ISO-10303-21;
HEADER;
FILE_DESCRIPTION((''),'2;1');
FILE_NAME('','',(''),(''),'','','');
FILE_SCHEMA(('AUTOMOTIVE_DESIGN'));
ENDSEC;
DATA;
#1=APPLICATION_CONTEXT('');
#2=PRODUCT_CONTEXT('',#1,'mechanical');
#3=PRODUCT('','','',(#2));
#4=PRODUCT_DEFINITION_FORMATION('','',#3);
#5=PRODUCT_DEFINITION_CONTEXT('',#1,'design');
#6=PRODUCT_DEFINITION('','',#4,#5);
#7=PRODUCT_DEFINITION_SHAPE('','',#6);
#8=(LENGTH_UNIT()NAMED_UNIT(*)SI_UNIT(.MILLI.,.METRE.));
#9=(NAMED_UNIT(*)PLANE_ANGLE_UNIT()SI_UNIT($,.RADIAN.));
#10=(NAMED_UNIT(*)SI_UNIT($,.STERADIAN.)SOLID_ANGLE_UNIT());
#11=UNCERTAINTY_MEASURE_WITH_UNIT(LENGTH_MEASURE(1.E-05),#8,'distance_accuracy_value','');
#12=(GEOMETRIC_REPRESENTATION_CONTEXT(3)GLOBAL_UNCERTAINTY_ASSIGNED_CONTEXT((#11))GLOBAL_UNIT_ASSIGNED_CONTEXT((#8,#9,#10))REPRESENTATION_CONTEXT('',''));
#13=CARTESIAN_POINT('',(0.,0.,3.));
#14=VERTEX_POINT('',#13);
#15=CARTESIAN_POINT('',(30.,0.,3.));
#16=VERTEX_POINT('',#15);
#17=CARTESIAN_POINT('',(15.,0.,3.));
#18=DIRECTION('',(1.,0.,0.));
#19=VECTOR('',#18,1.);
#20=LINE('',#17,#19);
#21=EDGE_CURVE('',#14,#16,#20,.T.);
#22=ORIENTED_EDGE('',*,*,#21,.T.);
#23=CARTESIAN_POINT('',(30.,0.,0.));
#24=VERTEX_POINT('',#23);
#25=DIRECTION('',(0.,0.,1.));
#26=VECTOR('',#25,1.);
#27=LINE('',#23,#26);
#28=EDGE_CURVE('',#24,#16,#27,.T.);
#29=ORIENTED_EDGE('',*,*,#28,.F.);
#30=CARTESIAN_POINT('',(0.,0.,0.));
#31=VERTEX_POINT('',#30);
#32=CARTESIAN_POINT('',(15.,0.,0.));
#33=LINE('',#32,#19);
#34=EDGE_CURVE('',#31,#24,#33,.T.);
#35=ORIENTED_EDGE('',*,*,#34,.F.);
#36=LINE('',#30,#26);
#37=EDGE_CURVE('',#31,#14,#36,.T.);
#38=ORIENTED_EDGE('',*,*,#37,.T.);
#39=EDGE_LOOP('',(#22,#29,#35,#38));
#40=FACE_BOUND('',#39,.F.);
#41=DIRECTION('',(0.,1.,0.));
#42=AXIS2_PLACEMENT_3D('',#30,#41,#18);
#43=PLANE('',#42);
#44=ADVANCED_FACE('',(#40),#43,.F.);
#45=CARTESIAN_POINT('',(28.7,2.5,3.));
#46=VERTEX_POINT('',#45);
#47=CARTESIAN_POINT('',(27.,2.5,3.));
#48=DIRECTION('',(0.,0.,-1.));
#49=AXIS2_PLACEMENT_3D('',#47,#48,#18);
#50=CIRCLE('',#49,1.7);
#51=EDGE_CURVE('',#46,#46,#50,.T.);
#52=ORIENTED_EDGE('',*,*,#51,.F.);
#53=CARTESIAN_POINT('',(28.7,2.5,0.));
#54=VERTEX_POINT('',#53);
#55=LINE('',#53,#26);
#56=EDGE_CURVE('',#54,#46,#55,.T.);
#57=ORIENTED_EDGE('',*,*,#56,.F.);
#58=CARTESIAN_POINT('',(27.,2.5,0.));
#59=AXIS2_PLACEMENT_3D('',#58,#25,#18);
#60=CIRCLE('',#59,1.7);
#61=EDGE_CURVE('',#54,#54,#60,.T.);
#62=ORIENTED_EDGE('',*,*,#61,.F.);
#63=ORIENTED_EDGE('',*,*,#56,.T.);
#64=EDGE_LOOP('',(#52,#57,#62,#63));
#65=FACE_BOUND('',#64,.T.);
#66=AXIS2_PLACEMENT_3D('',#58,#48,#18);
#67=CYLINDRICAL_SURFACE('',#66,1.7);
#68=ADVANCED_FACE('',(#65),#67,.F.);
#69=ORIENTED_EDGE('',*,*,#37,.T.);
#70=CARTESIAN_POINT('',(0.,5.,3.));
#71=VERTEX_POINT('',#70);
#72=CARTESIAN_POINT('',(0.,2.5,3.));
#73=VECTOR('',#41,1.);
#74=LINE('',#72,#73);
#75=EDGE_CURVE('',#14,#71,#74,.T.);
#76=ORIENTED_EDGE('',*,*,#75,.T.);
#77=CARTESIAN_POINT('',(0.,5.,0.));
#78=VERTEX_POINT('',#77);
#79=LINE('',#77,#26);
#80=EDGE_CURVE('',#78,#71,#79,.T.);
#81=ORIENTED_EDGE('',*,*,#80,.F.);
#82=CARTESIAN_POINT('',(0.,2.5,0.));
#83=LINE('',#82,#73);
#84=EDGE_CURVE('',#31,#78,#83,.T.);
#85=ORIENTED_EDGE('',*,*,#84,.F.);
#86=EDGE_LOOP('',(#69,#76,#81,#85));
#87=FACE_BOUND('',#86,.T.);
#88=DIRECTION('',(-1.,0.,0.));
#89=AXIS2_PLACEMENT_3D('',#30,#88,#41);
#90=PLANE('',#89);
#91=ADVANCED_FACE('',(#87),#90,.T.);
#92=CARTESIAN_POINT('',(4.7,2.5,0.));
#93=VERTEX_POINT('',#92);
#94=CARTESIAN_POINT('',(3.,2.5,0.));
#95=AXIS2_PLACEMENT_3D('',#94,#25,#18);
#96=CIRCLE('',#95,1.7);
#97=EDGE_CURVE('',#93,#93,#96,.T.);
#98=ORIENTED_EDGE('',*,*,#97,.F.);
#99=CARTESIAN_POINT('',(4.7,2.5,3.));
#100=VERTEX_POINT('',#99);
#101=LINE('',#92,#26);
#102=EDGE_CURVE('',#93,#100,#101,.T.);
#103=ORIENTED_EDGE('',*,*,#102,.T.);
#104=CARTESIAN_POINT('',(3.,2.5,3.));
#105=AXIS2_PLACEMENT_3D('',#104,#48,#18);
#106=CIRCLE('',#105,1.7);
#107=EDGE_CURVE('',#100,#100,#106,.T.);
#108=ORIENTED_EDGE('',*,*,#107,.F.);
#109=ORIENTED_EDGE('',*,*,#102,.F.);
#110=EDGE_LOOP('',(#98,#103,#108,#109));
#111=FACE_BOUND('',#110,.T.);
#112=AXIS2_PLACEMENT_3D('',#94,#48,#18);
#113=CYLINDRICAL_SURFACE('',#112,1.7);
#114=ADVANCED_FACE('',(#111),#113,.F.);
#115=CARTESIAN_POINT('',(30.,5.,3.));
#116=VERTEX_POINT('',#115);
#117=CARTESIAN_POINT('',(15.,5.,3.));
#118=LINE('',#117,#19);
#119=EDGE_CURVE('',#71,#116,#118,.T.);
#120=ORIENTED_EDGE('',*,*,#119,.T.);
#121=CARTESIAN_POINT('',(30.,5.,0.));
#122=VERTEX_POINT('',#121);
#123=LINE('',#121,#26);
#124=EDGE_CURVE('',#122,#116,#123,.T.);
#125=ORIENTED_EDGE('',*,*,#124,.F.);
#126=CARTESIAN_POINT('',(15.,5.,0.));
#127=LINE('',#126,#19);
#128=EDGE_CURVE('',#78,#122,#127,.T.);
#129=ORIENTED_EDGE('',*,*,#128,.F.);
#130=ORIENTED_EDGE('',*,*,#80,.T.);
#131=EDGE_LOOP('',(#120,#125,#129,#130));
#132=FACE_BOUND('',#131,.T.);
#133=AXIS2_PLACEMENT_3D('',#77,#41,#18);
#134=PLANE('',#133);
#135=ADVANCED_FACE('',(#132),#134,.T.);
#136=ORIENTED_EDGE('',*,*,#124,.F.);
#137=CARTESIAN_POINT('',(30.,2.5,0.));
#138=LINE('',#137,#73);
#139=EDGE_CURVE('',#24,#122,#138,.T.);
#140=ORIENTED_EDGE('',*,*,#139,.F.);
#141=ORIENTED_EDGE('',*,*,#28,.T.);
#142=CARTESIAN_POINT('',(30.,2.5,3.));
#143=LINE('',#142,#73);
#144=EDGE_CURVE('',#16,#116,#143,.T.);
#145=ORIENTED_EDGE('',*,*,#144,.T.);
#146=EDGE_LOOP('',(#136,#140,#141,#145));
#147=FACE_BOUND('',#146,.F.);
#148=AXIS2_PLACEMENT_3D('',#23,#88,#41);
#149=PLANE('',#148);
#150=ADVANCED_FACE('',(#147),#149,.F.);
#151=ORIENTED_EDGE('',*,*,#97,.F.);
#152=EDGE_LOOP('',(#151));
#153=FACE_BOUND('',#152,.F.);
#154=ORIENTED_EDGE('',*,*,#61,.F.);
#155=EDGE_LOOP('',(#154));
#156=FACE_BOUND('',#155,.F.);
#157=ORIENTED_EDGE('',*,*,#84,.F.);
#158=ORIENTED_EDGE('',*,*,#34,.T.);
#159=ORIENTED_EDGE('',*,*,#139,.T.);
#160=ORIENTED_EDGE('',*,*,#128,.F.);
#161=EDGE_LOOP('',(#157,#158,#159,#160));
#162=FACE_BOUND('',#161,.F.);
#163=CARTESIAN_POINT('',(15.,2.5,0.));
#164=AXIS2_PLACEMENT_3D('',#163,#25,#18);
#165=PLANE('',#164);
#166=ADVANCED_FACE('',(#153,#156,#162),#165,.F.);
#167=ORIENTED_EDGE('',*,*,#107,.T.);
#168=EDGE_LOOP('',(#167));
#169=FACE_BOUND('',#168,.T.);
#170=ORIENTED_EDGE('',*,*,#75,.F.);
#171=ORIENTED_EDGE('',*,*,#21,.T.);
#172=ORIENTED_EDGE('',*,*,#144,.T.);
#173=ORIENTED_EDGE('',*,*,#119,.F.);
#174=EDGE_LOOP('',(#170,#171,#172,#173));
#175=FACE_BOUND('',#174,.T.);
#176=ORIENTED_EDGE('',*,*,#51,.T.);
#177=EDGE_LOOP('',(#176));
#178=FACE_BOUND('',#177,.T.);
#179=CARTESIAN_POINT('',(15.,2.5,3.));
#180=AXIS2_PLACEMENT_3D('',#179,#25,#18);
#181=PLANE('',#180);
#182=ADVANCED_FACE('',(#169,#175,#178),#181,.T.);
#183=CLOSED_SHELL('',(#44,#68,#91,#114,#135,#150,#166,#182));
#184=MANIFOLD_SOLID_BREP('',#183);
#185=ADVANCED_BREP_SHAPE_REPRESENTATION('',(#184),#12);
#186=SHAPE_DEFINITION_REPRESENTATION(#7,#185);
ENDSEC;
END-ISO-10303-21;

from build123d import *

# Parameters (mm, degrees)
CYLINDER004_R     = 1.7
CYLINDER004_DEPTH = 10
CYLINDER003_R     = 1.7
CYLINDER003_DEPTH = 10
BOX008_W          = 30
BOX008_H          = 5
BOX008_DEPTH      = 3


with BuildPart() as cylinder004:
    # Cylinder004 → Cylinder004 (new body)
    with BuildSketch(Plane(origin=(27, 2.5, 0), x_dir=(1, 0, 0), z_dir=(0, 0, 1))):
        Circle(CYLINDER004_R)
    extrude(amount=CYLINDER004_DEPTH)


with BuildPart() as cylinder003:
    # Cylinder003 → Cylinder003 (new body)
    with BuildSketch(Plane(origin=(3, 2.5, 0), x_dir=(1, 0, 0), z_dir=(0, 0, 1))):
        Circle(CYLINDER003_R)
    extrude(amount=CYLINDER003_DEPTH)


with BuildPart() as slidearm:
    # Box008 → Box008 (new body)
    with BuildSketch(Plane.XY):
        with Locations((15, 2.5)):
            Rectangle(BOX008_W, BOX008_H)
    extrude(amount=BOX008_DEPTH)

    # Cut006: cut Cylinder003
    add(cylinder003.part, mode=Mode.SUBTRACT)

    # Cut007: cut Cylinder004
    add(cylinder004.part, mode=Mode.SUBTRACT)


solid = slidearm.part
